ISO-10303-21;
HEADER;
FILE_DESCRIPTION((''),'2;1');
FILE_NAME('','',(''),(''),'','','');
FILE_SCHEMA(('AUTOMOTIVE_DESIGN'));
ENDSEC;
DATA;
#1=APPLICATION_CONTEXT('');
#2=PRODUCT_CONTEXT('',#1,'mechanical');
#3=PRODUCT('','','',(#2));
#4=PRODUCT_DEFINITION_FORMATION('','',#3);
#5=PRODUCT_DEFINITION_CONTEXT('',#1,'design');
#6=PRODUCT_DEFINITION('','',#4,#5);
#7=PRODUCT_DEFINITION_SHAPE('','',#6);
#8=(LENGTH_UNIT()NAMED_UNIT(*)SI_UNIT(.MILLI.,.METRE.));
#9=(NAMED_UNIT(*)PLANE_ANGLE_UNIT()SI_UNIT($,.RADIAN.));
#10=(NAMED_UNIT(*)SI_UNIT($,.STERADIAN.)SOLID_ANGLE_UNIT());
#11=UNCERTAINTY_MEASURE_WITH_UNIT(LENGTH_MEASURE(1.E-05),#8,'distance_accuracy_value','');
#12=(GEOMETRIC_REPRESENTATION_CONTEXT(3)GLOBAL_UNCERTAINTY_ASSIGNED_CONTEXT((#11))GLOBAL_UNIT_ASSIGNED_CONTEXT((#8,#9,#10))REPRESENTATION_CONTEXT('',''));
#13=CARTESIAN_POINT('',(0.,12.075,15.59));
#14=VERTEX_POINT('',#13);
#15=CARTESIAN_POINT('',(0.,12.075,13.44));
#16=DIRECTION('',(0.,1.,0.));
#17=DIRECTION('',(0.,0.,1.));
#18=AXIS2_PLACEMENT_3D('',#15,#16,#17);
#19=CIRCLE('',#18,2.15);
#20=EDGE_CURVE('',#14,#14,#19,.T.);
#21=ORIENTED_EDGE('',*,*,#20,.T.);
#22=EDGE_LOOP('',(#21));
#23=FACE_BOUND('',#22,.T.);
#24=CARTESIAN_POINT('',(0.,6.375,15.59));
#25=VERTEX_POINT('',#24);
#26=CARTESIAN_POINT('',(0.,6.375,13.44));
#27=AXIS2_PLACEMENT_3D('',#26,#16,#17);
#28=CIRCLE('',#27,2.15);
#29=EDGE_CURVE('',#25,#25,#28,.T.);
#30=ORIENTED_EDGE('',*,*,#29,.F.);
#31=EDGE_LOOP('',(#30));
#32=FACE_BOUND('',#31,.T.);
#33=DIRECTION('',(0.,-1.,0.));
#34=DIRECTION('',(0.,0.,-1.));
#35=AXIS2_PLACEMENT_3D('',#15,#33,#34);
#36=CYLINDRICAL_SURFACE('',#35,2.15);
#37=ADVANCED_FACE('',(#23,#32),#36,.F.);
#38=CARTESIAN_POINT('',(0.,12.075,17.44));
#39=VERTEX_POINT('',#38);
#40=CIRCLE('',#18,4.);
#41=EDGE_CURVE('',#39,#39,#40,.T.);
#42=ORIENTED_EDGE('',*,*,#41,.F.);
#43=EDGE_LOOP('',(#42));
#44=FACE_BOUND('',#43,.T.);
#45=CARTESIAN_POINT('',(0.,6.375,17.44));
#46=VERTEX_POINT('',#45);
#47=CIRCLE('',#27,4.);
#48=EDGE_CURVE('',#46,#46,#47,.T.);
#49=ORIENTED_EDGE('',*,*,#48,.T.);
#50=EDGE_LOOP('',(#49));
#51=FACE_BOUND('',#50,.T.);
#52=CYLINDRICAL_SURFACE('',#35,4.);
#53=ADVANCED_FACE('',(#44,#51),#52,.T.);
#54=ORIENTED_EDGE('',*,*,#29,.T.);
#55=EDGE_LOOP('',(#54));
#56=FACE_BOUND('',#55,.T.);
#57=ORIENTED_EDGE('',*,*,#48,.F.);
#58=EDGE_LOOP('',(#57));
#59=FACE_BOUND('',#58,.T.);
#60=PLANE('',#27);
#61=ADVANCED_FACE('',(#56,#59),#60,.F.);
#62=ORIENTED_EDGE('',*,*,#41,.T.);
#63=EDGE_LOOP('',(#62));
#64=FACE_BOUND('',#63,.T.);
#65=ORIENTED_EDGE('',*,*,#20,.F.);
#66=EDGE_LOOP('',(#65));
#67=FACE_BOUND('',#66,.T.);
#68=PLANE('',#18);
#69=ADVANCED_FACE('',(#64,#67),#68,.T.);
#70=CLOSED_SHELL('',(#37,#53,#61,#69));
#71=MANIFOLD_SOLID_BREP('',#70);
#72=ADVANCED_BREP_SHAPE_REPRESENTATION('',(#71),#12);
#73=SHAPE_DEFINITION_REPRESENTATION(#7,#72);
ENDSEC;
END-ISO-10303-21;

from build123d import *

# Parameters (mm, degrees)
SPACER_SKETCH_R   = 4
SPACER_SKETCH_R_2 = 2.15
SPACER_DEPTH      = 2.85


with BuildPart() as part:
    # Spacer Sketch → Spacer (new, symmetric)
    with BuildSketch(Plane(origin=(0, 9.225, 0), x_dir=(1, 0, 0), z_dir=(0, 1, 0))):
        with Locations((0, -13.44)):
            Circle(SPACER_SKETCH_R)
        with Locations((0, -13.44)):
            Circle(SPACER_SKETCH_R_2, mode=Mode.SUBTRACT)
    extrude(amount=SPACER_DEPTH, both=True)


solid = part.part
